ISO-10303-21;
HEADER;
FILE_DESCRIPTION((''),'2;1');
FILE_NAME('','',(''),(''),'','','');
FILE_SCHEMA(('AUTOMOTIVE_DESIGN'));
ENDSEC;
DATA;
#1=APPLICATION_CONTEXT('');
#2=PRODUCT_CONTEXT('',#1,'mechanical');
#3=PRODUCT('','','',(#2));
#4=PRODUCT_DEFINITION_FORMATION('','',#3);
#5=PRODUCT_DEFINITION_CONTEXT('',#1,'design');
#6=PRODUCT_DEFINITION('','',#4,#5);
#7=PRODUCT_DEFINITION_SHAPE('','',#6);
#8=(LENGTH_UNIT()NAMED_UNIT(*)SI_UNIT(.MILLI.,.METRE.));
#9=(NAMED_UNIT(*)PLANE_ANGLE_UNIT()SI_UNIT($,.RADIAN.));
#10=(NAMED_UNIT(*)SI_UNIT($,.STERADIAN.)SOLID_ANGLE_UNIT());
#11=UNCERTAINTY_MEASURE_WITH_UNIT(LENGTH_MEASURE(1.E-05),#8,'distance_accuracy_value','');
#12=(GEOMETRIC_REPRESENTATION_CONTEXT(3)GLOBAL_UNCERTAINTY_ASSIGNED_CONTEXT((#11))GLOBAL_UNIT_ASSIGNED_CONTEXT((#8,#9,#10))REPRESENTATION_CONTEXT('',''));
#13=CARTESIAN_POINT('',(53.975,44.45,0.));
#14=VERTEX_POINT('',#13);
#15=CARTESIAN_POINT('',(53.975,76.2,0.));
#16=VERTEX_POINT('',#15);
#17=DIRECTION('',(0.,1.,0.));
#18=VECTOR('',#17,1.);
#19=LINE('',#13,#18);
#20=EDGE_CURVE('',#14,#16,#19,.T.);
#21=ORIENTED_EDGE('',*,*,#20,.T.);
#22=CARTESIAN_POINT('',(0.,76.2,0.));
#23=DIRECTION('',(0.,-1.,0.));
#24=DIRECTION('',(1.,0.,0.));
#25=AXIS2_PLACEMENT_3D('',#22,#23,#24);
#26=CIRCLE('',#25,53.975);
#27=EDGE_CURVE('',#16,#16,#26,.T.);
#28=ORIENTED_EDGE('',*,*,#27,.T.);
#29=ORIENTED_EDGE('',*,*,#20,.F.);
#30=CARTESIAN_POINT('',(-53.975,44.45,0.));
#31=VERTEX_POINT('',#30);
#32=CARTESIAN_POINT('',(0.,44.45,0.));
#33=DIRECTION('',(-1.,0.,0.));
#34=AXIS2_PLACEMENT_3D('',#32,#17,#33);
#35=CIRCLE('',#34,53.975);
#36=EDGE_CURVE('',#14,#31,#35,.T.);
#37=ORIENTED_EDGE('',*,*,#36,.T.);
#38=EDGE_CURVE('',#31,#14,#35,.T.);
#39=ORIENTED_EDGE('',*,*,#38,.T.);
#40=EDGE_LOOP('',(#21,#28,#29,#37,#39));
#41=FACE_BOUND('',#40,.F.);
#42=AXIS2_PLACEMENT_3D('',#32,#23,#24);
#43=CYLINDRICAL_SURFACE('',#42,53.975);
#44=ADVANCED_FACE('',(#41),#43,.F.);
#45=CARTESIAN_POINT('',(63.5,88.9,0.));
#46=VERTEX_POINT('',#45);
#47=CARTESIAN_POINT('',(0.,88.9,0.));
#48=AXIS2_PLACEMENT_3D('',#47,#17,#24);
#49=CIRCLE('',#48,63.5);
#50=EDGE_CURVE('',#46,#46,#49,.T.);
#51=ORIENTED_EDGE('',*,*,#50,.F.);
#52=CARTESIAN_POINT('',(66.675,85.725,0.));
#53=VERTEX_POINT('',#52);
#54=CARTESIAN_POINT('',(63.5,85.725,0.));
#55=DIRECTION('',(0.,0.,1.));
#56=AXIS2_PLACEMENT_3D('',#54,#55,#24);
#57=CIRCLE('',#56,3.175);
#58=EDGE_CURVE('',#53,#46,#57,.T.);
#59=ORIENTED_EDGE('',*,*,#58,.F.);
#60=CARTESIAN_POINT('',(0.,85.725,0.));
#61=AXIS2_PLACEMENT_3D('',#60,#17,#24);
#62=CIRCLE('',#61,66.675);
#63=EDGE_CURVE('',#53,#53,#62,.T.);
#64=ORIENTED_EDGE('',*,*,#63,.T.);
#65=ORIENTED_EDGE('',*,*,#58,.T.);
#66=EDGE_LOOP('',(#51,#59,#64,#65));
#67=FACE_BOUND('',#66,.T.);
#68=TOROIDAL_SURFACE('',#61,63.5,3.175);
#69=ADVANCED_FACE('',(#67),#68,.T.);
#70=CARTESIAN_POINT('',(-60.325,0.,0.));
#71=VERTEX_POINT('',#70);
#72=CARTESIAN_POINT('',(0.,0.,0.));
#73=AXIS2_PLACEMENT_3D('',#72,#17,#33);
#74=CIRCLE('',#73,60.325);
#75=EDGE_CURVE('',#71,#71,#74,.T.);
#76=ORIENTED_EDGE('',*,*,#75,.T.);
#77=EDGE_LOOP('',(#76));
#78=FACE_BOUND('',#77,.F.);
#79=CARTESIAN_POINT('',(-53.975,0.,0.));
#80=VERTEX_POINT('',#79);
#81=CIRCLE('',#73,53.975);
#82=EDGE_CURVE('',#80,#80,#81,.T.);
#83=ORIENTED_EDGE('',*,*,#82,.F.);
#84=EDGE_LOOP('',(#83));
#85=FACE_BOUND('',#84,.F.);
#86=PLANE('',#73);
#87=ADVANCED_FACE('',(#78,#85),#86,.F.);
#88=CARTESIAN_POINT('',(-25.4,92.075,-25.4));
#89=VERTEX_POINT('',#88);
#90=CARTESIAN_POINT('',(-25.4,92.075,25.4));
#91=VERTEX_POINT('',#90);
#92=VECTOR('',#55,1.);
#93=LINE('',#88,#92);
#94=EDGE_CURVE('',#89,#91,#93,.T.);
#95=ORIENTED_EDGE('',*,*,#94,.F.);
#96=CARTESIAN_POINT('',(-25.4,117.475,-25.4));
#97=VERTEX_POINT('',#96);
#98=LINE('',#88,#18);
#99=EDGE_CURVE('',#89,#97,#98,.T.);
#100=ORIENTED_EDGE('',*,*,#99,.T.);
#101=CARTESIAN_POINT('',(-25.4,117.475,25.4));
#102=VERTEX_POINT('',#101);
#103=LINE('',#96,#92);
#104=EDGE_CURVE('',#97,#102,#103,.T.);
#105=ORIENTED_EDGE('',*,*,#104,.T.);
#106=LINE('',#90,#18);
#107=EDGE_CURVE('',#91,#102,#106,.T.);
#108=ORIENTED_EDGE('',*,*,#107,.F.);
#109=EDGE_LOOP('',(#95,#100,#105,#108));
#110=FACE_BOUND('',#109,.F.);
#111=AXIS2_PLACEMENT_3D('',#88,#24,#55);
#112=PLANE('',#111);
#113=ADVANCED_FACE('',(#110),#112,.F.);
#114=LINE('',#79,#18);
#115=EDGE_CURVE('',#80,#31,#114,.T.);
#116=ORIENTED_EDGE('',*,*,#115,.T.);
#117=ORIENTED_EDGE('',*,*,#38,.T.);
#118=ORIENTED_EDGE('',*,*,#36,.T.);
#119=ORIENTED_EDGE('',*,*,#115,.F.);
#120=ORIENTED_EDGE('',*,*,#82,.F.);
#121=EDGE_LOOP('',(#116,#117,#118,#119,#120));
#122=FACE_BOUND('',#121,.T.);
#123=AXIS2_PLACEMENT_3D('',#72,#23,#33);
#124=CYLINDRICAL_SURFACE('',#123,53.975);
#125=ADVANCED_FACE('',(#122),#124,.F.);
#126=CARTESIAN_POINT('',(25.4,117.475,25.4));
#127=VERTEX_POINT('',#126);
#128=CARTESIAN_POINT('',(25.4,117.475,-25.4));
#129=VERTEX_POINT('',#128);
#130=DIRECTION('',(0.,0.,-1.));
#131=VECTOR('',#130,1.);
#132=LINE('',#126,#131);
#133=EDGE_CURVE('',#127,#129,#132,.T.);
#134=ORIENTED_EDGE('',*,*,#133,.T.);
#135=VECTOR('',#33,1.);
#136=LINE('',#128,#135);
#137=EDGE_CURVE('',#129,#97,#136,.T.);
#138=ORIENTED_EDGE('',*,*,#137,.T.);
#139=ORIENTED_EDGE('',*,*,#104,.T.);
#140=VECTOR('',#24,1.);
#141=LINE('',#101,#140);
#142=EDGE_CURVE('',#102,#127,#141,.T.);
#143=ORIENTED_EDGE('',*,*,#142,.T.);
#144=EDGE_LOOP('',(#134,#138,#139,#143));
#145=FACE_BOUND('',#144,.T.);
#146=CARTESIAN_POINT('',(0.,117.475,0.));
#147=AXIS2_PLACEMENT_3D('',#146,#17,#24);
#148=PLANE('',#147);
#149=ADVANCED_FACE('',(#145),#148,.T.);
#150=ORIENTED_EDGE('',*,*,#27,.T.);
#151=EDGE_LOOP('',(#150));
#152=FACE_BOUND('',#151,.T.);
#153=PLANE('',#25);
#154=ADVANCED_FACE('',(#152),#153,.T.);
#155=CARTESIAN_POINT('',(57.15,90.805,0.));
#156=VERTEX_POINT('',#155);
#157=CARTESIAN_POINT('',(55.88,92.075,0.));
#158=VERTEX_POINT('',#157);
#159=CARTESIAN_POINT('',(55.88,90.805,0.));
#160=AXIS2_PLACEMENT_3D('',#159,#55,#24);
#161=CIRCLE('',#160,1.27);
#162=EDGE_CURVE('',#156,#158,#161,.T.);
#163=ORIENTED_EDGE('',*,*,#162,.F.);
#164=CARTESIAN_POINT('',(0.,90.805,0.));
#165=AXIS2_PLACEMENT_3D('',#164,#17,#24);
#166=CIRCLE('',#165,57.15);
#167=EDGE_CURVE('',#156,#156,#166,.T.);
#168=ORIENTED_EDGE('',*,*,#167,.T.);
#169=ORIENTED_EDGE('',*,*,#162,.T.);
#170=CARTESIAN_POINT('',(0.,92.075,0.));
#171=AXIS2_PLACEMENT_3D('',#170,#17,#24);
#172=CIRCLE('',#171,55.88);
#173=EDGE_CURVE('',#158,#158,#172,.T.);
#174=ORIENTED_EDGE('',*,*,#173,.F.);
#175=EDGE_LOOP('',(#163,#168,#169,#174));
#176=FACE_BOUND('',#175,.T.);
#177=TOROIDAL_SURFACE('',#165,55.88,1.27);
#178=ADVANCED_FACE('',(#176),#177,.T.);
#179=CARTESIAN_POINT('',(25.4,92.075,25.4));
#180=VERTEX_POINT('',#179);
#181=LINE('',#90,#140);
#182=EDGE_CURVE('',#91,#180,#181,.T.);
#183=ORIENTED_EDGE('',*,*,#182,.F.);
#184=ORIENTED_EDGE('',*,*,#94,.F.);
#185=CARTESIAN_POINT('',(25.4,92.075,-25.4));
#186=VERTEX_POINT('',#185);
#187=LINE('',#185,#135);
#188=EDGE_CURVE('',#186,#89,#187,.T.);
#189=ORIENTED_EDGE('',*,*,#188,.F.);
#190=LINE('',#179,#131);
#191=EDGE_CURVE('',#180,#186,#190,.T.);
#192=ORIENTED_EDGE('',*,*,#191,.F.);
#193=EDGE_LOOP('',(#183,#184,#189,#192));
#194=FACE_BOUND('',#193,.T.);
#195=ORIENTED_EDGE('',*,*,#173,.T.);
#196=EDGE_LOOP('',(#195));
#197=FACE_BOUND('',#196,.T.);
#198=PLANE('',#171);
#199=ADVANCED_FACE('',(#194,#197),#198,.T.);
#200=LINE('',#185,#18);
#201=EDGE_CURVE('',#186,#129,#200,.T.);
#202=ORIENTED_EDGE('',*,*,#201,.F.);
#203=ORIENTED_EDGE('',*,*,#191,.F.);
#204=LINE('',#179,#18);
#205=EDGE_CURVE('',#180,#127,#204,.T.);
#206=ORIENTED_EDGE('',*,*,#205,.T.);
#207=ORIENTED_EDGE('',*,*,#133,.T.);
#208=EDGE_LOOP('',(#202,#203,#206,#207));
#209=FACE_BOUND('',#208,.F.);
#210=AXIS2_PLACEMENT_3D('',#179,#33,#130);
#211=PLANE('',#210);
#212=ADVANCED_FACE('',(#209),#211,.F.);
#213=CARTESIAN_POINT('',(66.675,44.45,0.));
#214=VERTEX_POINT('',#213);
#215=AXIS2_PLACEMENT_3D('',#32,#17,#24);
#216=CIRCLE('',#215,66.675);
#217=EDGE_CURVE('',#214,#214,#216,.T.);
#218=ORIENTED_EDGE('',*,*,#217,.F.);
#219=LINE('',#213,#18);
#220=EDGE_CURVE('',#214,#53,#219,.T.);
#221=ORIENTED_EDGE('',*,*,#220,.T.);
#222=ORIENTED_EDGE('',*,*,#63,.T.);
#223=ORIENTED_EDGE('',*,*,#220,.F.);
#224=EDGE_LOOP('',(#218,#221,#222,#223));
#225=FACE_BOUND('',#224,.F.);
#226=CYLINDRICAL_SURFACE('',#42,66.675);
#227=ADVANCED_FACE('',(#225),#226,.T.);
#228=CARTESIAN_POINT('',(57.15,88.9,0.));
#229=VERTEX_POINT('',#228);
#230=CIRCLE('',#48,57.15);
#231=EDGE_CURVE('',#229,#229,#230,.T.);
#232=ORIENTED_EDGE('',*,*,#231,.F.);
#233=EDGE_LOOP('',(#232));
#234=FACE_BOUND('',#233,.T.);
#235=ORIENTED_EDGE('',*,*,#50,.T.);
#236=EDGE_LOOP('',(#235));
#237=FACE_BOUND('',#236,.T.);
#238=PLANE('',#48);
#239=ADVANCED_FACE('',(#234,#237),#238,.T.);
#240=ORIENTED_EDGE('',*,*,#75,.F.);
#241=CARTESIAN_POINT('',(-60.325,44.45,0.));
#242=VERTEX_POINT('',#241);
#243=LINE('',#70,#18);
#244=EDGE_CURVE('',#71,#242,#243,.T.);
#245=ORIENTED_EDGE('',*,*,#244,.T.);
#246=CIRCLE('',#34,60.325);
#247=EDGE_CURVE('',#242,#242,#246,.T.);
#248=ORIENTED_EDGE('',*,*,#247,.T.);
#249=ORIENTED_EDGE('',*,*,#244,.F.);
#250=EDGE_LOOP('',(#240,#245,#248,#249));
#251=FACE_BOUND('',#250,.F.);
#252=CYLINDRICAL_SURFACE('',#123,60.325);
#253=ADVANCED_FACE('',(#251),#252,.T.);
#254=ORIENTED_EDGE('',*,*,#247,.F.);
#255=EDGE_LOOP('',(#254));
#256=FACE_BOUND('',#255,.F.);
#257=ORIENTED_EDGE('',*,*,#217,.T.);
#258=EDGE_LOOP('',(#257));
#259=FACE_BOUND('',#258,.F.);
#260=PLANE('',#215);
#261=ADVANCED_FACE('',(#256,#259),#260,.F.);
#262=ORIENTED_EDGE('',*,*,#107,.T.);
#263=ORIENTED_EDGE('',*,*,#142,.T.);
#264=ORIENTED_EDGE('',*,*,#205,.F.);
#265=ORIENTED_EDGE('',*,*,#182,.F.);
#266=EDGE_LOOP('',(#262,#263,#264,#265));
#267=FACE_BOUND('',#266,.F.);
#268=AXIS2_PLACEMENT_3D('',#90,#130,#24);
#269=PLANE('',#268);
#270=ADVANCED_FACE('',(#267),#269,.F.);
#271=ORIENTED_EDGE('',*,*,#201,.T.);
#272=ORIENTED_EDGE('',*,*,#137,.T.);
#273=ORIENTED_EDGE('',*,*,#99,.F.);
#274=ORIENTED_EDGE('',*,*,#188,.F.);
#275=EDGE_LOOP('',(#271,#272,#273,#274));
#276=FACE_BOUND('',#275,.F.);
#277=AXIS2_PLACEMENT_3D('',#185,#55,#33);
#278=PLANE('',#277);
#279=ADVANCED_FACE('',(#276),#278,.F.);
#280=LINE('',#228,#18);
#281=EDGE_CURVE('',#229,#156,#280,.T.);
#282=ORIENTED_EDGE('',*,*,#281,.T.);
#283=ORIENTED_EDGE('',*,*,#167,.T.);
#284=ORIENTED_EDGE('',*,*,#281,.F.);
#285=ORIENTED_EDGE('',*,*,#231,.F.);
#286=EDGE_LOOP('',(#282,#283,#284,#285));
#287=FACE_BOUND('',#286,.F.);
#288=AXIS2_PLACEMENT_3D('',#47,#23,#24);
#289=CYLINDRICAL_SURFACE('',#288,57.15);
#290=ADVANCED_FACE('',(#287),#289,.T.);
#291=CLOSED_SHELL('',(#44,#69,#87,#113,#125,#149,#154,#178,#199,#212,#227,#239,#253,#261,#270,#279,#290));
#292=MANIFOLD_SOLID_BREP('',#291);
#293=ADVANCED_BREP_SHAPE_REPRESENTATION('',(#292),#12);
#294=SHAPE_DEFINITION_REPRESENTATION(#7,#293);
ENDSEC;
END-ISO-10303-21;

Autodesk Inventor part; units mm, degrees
ref_plane "YZ Plane" through (0, 0, 0) normal (1, 0, 0) x (0, 1, 0)
ref_plane "XZ Plane" through (0, 0, 0) normal (0, 1, 0) x (-1, 0, 0)
ref_plane "XY Plane" through (0, 0, 0) normal (0, 0, 1) x (1, 0, 0)
sketch "Sketch1" plane through (0, 0, 0) normal (0, 1, 0) x (-1, 0, 0)
  circle A0 centre (0, 0) radius 53.975
  circle A1 centre (0, 0) radius 60.325
  dimension "d0" = 107.95
  dimension "d1" = 120.65
extrude "Extrusion1" add sketch "Sketch1" along normal blind 44.45
sketch "Sketch2" plane through (0, 44.45, 0) normal (0, 1, 0) x (1, 0, 0)
  circle A0 centre (0, 0) radius 66.675
  dimension "d4" = 133.35
extrude "Extrusion2" add sketch "Sketch2" along normal blind 44.45
sketch "Sketch3" plane through (0, 44.45, 0) normal (0, -1, 0) x (1, 0, 0)
  circle A0 centre (0, 0) radius 53.975
  dimension "d7" = 107.95
extrude "Extrusion3" cut sketch "Sketch3" against normal blind 31.75
sketch "Sketch4" plane through (0, 88.9, 0) normal (0, 1, 0) x (1, 0, 0)
  circle A0 centre (0, 0) radius 57.15
  dimension "d10" = 114.3
extrude "Extrusion4" add sketch "Sketch4" along normal blind 3.175
sketch "Sketch5" plane through (0, 92.075, 0) normal (0, 1, 0) x (1, 0, 0)
  line L0 (-25.4, -25.4) -> (25.4, -25.4)
  line L1 (25.4, -25.4) -> (25.4, 25.4)
  line L2 (25.4, 25.4) -> (-25.4, 25.4)
  line L3 (-25.4, 25.4) -> (-25.4, -25.4)
  point P0 (0, 0)
  dimension "d13" = 50.8
  dimension "d14" = 50.8
extrude "Extrusion5" add sketch "Sketch5" along normal blind 25.4
fillet "Fillet1" radius 3.175 1 edges at (-66.675, 88.9, 0)
fillet "Fillet2" radius 1.27 1 edges at (-57.15, 92.075, 0)
properties part number "4in Cleanout Adapter w Plug"
